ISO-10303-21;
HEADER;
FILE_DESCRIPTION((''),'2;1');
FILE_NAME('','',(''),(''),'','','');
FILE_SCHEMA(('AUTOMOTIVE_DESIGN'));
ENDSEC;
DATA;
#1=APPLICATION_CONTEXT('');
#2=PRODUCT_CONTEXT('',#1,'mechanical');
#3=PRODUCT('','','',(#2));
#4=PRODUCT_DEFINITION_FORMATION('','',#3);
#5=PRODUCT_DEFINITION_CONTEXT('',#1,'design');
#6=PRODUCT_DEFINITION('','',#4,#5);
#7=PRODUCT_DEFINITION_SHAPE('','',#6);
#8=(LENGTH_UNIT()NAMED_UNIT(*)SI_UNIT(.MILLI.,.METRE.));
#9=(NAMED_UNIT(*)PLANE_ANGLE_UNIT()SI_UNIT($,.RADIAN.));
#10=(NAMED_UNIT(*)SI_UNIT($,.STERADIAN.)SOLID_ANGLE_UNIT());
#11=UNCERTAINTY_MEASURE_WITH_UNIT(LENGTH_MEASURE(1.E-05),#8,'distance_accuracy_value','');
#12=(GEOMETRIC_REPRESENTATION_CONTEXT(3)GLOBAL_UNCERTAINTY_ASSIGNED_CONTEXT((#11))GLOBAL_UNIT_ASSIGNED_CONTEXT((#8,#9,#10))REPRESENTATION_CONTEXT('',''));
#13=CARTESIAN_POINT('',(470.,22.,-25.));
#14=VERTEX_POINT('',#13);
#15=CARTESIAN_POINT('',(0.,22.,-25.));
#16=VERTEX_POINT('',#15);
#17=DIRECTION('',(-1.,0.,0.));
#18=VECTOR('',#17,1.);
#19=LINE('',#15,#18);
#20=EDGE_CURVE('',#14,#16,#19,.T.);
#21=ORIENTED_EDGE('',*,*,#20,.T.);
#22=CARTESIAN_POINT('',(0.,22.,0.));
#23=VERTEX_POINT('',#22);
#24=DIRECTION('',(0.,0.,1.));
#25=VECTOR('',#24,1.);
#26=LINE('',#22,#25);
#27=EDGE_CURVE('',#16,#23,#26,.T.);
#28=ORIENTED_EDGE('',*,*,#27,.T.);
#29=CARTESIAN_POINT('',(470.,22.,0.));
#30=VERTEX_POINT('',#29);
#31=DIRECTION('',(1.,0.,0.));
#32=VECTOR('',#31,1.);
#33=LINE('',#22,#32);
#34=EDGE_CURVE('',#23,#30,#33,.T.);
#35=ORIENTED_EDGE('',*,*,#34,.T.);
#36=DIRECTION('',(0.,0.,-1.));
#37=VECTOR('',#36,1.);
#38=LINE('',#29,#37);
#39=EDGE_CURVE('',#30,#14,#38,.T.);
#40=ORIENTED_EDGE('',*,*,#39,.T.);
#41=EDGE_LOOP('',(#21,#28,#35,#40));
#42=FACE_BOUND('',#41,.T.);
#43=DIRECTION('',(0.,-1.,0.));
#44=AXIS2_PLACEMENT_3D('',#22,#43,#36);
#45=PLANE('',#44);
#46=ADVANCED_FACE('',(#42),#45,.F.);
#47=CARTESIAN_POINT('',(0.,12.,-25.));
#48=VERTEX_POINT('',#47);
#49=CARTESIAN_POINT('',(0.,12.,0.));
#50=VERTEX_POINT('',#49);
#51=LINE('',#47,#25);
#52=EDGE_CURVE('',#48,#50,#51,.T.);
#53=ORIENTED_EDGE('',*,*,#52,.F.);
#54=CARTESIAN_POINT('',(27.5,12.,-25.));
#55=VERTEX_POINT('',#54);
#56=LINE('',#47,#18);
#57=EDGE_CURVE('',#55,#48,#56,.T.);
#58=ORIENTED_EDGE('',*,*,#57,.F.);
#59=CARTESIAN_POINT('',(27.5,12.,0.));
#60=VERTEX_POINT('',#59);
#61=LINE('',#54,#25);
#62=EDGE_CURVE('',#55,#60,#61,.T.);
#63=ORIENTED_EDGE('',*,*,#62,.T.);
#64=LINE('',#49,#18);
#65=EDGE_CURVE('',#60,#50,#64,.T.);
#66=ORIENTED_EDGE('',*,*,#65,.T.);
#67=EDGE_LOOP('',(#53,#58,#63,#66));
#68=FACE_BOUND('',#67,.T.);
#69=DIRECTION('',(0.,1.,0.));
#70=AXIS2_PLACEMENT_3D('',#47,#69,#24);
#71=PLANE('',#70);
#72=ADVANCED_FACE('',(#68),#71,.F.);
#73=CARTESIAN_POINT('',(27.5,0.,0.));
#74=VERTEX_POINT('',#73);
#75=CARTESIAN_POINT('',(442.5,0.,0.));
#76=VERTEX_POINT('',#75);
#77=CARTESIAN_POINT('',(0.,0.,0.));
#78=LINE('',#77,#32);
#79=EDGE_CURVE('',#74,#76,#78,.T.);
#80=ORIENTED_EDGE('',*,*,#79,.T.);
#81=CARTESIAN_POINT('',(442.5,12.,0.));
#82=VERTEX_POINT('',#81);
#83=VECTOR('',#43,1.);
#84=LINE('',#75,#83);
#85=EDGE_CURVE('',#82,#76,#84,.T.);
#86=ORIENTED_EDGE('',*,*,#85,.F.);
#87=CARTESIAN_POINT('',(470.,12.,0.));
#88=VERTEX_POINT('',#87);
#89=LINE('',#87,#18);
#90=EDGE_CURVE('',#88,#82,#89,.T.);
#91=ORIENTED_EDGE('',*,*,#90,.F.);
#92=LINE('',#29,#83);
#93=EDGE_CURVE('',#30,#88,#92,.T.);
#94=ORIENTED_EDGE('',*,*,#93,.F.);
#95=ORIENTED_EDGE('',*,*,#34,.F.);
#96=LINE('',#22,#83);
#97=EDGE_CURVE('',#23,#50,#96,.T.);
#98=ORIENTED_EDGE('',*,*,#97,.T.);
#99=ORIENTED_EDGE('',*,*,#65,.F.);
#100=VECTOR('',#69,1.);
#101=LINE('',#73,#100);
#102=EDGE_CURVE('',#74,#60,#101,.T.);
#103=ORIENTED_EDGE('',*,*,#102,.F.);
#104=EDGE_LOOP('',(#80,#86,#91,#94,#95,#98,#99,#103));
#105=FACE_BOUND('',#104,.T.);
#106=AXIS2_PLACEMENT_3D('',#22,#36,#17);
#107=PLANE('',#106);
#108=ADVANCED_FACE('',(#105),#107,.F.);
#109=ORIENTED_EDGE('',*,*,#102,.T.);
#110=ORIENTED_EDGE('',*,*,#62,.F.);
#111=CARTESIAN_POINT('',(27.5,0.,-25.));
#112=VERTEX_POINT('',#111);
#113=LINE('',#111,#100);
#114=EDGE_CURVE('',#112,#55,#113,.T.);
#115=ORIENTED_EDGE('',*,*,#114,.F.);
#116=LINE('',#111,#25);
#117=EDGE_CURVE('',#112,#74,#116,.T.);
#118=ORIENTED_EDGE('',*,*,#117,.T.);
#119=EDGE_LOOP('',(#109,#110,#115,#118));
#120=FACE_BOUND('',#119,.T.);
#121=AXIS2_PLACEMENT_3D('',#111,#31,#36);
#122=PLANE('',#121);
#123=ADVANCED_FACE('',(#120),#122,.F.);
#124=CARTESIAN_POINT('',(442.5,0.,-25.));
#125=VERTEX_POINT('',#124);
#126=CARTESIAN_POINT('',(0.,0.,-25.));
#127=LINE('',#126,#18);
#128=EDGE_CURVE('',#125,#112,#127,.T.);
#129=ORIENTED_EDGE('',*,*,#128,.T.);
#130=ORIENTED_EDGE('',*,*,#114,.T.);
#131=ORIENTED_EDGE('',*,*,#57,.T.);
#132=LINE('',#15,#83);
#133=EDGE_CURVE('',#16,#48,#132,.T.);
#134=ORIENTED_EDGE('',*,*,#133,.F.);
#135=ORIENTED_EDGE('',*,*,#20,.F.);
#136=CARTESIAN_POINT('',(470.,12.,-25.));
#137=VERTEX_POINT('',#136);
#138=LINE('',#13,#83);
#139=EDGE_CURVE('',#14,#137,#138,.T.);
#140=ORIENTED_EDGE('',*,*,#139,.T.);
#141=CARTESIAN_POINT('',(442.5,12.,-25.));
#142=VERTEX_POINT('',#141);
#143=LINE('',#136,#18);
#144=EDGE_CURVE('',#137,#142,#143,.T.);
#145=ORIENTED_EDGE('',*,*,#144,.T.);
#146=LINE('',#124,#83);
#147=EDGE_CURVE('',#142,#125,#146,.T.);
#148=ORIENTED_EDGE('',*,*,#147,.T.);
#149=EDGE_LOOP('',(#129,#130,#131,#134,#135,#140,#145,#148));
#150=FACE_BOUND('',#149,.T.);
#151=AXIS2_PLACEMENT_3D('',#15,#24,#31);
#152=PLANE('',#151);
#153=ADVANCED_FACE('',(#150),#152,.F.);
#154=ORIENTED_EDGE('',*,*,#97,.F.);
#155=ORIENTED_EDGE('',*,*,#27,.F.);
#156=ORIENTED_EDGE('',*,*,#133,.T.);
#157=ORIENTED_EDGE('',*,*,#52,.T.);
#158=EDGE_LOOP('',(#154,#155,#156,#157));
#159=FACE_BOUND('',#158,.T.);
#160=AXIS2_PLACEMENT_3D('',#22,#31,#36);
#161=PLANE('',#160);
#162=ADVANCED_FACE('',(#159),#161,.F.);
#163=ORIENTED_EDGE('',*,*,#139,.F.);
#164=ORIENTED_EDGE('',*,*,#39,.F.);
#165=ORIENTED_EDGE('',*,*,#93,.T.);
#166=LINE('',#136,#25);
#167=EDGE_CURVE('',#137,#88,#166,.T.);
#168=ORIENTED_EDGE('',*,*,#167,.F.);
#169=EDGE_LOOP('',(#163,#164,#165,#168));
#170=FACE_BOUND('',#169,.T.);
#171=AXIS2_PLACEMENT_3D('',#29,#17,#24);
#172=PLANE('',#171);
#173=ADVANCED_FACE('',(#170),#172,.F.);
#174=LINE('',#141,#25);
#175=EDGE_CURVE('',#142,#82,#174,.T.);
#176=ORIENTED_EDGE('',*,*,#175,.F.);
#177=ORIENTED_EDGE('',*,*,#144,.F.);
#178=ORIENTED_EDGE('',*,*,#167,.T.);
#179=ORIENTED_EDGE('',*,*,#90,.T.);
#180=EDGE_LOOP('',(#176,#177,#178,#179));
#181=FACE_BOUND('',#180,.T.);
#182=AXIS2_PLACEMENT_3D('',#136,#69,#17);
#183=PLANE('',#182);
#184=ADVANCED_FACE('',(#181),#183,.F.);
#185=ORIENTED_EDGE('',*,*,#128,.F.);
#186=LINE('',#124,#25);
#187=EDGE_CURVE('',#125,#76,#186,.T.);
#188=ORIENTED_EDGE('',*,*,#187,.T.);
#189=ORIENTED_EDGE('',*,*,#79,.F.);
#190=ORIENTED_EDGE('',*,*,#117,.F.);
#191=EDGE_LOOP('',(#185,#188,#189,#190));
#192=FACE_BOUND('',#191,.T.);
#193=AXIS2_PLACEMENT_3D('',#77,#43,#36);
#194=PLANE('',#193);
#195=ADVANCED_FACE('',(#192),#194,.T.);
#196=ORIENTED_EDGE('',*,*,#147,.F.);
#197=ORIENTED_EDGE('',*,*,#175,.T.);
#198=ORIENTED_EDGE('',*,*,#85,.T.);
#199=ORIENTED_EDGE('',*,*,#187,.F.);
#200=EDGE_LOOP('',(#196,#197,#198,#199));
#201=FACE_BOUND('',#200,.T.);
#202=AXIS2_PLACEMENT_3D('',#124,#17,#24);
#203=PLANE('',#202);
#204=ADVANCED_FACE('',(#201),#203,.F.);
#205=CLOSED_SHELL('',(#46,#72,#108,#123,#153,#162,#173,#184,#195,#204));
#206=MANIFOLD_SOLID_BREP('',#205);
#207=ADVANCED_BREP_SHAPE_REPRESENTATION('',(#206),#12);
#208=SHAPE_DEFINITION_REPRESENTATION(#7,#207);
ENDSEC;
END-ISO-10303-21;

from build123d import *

# Parameters (mm, degrees)
SKETCH_1_W          = 470
SKETCH_1_H          = 25
EXTRUDE_1_DEPTH     = 22
SKETCH_2_W          = 27.5
SKETCH_2_H          = 12
CUT_EXTRUDE_1_DEPTH = 472.178310197
SKETCH_3_W          = 27.5
SKETCH_3_H          = 12
CUT_EXTRUDE_2_DEPTH = 472.178310197


with BuildPart() as part:
    # Эскиз1 → Бобышка-Вытянуть1 (new body)
    with BuildSketch(Plane(origin=(0, 0, 0), x_dir=(1, 0, 0), z_dir=(0, 1, 0))):
        with Locations((235, 12.5)):
            Rectangle(SKETCH_1_W, SKETCH_1_H)
    extrude(amount=EXTRUDE_1_DEPTH)

    # Эскиз2 → Вырез-Вытянуть1 (cut, through all)
    with BuildSketch(Plane.XY):
        with Locations((456.25, 6)):
            Rectangle(SKETCH_2_W, SKETCH_2_H)
    extrude(amount=-CUT_EXTRUDE_1_DEPTH, mode=Mode.SUBTRACT)

    # Эскиз3 → Вырез-Вытянуть2 (cut, through all)
    with BuildSketch(Plane.XY):
        with Locations((13.75, 6)):
            Rectangle(SKETCH_3_W, SKETCH_3_H)
    extrude(amount=-CUT_EXTRUDE_2_DEPTH, mode=Mode.SUBTRACT)


solid = part.part
